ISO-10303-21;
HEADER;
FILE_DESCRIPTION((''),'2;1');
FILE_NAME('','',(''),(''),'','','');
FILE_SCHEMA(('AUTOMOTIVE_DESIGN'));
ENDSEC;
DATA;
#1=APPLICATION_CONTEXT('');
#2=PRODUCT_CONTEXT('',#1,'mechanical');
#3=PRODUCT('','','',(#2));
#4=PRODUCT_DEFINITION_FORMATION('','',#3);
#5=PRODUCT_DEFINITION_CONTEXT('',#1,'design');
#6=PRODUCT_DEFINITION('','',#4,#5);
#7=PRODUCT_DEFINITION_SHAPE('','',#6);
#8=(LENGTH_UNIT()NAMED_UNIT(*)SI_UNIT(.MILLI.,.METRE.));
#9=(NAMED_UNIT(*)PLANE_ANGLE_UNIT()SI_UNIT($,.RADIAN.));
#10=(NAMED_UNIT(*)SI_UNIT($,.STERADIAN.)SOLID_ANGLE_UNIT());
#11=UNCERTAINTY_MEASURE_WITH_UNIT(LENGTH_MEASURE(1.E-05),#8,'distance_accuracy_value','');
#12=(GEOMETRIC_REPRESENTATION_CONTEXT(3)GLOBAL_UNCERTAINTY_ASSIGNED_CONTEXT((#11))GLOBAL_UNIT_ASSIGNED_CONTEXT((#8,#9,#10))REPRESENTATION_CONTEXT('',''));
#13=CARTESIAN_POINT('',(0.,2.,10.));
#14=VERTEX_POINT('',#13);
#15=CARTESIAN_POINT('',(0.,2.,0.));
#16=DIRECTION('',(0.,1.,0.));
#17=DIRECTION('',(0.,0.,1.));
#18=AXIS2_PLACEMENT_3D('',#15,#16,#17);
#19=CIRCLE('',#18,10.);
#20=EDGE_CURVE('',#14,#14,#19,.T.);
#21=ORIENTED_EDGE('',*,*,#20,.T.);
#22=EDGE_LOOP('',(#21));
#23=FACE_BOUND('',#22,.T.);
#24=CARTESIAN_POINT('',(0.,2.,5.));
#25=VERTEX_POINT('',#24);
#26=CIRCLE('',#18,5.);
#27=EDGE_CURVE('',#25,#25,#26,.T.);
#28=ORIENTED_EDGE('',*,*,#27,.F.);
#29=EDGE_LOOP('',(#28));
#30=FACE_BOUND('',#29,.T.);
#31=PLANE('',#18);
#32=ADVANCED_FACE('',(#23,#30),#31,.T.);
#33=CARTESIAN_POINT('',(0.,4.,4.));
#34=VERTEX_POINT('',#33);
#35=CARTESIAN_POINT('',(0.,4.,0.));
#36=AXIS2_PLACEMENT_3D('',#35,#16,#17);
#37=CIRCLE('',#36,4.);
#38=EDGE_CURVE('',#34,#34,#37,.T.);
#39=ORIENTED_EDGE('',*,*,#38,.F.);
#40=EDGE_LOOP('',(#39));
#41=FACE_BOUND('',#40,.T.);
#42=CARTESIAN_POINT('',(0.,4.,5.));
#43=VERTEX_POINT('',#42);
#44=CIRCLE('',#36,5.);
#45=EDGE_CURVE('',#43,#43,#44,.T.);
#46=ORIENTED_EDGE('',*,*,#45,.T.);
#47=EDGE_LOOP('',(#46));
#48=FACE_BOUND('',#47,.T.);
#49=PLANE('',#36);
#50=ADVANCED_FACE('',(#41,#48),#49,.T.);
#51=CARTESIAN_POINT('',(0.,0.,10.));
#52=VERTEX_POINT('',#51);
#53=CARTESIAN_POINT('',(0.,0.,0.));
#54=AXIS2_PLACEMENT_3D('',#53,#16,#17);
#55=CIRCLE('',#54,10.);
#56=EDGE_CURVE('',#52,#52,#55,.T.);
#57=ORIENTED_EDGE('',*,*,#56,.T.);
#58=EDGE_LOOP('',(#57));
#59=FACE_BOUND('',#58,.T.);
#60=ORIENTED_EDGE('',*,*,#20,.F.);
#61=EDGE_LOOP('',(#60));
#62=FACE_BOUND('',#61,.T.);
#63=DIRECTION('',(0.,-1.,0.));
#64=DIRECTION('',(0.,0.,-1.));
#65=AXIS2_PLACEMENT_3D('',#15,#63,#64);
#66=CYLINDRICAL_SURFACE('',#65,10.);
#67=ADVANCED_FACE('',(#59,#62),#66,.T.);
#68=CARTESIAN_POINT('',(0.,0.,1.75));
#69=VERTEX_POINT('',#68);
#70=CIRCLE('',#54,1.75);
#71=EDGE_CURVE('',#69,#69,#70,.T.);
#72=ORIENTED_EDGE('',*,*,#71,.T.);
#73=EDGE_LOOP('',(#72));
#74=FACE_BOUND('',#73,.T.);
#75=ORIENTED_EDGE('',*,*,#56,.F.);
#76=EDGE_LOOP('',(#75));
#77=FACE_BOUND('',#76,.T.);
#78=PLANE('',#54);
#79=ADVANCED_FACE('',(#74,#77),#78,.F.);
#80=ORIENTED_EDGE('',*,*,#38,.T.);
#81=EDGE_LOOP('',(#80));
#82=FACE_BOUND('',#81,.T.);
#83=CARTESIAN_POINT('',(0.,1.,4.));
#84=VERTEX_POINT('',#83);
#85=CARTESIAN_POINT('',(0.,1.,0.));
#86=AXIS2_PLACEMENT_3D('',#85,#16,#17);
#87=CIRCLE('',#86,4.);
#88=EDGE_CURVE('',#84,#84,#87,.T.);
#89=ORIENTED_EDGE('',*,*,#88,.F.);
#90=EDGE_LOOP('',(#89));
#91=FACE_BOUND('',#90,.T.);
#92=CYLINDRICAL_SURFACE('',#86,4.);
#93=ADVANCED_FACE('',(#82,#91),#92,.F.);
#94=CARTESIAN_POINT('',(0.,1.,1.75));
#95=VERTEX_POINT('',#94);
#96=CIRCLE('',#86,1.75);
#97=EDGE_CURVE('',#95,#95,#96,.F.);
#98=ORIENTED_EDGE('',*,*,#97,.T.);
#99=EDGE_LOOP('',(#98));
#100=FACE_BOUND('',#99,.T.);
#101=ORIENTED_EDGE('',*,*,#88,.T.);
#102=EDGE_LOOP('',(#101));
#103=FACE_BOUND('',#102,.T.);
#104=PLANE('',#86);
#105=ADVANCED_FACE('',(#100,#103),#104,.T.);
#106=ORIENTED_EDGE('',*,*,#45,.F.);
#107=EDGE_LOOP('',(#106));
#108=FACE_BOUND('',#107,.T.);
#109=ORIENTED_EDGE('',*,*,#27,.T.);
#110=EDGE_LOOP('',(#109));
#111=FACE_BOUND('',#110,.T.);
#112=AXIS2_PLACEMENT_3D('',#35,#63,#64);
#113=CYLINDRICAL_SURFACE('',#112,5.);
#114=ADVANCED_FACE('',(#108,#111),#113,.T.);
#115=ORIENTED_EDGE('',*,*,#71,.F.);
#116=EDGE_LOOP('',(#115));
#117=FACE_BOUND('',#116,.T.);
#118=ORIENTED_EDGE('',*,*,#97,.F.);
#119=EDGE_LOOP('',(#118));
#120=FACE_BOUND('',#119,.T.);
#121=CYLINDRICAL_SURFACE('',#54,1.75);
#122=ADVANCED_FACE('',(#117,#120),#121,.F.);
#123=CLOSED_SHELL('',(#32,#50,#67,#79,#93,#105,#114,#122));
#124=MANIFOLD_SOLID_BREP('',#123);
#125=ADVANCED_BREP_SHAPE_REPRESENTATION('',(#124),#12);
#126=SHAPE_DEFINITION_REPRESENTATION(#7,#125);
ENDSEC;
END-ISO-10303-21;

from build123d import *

# Parameters (mm, degrees)
SKETCH_1_R          = 10
EXTRUDE_1_DEPTH     = 2
SKETCH_2_R          = 5
EXTRUDE_2_DEPTH     = 2
SKETCH_3_R          = 1.75
CUT_EXTRUDE_1_DEPTH = 15.696938457
SKETCH_4_R          = 4
CUT_EXTRUDE_2_DEPTH = 3


with BuildPart() as part:
    # 草图1 → 凸台-拉伸1 (new body)
    with BuildSketch(Plane(origin=(0, 0, 0), x_dir=(1, 0, 0), z_dir=(0, 1, 0))):
        with Locations(Location((0, 0, 0), (0, 0, 270))):
            Circle(SKETCH_1_R)
    extrude(amount=EXTRUDE_1_DEPTH)

    # 草图2 → 凸台-拉伸2 (add)
    with BuildSketch(Plane(origin=(0, 2, 0), x_dir=(1, 0, 0), z_dir=(0, 1, 0))):
        with Locations(Location((0, 0, 0), (0, 0, 270))):
            Circle(SKETCH_2_R)
    extrude(amount=EXTRUDE_2_DEPTH)

    # 草图3 → 切除-拉伸1 (cut, through all)
    with BuildSketch(Plane(origin=(0, 4, 0), x_dir=(1, 0, 0), z_dir=(0, 1, 0))):
        with Locations(Location((0, 0, 0), (0, 0, 270))):
            Circle(SKETCH_3_R)
    extrude(amount=-CUT_EXTRUDE_1_DEPTH, mode=Mode.SUBTRACT)

    # 草图4 → 切除-拉伸2 (cut)
    with BuildSketch(Plane(origin=(0, 4, 0), x_dir=(1, 0, 0), z_dir=(0, 1, 0))):
        with Locations(Location((0, 0, 0), (0, 0, 270))):
            Circle(SKETCH_4_R)
    extrude(amount=-CUT_EXTRUDE_2_DEPTH, mode=Mode.SUBTRACT)


solid = part.part
